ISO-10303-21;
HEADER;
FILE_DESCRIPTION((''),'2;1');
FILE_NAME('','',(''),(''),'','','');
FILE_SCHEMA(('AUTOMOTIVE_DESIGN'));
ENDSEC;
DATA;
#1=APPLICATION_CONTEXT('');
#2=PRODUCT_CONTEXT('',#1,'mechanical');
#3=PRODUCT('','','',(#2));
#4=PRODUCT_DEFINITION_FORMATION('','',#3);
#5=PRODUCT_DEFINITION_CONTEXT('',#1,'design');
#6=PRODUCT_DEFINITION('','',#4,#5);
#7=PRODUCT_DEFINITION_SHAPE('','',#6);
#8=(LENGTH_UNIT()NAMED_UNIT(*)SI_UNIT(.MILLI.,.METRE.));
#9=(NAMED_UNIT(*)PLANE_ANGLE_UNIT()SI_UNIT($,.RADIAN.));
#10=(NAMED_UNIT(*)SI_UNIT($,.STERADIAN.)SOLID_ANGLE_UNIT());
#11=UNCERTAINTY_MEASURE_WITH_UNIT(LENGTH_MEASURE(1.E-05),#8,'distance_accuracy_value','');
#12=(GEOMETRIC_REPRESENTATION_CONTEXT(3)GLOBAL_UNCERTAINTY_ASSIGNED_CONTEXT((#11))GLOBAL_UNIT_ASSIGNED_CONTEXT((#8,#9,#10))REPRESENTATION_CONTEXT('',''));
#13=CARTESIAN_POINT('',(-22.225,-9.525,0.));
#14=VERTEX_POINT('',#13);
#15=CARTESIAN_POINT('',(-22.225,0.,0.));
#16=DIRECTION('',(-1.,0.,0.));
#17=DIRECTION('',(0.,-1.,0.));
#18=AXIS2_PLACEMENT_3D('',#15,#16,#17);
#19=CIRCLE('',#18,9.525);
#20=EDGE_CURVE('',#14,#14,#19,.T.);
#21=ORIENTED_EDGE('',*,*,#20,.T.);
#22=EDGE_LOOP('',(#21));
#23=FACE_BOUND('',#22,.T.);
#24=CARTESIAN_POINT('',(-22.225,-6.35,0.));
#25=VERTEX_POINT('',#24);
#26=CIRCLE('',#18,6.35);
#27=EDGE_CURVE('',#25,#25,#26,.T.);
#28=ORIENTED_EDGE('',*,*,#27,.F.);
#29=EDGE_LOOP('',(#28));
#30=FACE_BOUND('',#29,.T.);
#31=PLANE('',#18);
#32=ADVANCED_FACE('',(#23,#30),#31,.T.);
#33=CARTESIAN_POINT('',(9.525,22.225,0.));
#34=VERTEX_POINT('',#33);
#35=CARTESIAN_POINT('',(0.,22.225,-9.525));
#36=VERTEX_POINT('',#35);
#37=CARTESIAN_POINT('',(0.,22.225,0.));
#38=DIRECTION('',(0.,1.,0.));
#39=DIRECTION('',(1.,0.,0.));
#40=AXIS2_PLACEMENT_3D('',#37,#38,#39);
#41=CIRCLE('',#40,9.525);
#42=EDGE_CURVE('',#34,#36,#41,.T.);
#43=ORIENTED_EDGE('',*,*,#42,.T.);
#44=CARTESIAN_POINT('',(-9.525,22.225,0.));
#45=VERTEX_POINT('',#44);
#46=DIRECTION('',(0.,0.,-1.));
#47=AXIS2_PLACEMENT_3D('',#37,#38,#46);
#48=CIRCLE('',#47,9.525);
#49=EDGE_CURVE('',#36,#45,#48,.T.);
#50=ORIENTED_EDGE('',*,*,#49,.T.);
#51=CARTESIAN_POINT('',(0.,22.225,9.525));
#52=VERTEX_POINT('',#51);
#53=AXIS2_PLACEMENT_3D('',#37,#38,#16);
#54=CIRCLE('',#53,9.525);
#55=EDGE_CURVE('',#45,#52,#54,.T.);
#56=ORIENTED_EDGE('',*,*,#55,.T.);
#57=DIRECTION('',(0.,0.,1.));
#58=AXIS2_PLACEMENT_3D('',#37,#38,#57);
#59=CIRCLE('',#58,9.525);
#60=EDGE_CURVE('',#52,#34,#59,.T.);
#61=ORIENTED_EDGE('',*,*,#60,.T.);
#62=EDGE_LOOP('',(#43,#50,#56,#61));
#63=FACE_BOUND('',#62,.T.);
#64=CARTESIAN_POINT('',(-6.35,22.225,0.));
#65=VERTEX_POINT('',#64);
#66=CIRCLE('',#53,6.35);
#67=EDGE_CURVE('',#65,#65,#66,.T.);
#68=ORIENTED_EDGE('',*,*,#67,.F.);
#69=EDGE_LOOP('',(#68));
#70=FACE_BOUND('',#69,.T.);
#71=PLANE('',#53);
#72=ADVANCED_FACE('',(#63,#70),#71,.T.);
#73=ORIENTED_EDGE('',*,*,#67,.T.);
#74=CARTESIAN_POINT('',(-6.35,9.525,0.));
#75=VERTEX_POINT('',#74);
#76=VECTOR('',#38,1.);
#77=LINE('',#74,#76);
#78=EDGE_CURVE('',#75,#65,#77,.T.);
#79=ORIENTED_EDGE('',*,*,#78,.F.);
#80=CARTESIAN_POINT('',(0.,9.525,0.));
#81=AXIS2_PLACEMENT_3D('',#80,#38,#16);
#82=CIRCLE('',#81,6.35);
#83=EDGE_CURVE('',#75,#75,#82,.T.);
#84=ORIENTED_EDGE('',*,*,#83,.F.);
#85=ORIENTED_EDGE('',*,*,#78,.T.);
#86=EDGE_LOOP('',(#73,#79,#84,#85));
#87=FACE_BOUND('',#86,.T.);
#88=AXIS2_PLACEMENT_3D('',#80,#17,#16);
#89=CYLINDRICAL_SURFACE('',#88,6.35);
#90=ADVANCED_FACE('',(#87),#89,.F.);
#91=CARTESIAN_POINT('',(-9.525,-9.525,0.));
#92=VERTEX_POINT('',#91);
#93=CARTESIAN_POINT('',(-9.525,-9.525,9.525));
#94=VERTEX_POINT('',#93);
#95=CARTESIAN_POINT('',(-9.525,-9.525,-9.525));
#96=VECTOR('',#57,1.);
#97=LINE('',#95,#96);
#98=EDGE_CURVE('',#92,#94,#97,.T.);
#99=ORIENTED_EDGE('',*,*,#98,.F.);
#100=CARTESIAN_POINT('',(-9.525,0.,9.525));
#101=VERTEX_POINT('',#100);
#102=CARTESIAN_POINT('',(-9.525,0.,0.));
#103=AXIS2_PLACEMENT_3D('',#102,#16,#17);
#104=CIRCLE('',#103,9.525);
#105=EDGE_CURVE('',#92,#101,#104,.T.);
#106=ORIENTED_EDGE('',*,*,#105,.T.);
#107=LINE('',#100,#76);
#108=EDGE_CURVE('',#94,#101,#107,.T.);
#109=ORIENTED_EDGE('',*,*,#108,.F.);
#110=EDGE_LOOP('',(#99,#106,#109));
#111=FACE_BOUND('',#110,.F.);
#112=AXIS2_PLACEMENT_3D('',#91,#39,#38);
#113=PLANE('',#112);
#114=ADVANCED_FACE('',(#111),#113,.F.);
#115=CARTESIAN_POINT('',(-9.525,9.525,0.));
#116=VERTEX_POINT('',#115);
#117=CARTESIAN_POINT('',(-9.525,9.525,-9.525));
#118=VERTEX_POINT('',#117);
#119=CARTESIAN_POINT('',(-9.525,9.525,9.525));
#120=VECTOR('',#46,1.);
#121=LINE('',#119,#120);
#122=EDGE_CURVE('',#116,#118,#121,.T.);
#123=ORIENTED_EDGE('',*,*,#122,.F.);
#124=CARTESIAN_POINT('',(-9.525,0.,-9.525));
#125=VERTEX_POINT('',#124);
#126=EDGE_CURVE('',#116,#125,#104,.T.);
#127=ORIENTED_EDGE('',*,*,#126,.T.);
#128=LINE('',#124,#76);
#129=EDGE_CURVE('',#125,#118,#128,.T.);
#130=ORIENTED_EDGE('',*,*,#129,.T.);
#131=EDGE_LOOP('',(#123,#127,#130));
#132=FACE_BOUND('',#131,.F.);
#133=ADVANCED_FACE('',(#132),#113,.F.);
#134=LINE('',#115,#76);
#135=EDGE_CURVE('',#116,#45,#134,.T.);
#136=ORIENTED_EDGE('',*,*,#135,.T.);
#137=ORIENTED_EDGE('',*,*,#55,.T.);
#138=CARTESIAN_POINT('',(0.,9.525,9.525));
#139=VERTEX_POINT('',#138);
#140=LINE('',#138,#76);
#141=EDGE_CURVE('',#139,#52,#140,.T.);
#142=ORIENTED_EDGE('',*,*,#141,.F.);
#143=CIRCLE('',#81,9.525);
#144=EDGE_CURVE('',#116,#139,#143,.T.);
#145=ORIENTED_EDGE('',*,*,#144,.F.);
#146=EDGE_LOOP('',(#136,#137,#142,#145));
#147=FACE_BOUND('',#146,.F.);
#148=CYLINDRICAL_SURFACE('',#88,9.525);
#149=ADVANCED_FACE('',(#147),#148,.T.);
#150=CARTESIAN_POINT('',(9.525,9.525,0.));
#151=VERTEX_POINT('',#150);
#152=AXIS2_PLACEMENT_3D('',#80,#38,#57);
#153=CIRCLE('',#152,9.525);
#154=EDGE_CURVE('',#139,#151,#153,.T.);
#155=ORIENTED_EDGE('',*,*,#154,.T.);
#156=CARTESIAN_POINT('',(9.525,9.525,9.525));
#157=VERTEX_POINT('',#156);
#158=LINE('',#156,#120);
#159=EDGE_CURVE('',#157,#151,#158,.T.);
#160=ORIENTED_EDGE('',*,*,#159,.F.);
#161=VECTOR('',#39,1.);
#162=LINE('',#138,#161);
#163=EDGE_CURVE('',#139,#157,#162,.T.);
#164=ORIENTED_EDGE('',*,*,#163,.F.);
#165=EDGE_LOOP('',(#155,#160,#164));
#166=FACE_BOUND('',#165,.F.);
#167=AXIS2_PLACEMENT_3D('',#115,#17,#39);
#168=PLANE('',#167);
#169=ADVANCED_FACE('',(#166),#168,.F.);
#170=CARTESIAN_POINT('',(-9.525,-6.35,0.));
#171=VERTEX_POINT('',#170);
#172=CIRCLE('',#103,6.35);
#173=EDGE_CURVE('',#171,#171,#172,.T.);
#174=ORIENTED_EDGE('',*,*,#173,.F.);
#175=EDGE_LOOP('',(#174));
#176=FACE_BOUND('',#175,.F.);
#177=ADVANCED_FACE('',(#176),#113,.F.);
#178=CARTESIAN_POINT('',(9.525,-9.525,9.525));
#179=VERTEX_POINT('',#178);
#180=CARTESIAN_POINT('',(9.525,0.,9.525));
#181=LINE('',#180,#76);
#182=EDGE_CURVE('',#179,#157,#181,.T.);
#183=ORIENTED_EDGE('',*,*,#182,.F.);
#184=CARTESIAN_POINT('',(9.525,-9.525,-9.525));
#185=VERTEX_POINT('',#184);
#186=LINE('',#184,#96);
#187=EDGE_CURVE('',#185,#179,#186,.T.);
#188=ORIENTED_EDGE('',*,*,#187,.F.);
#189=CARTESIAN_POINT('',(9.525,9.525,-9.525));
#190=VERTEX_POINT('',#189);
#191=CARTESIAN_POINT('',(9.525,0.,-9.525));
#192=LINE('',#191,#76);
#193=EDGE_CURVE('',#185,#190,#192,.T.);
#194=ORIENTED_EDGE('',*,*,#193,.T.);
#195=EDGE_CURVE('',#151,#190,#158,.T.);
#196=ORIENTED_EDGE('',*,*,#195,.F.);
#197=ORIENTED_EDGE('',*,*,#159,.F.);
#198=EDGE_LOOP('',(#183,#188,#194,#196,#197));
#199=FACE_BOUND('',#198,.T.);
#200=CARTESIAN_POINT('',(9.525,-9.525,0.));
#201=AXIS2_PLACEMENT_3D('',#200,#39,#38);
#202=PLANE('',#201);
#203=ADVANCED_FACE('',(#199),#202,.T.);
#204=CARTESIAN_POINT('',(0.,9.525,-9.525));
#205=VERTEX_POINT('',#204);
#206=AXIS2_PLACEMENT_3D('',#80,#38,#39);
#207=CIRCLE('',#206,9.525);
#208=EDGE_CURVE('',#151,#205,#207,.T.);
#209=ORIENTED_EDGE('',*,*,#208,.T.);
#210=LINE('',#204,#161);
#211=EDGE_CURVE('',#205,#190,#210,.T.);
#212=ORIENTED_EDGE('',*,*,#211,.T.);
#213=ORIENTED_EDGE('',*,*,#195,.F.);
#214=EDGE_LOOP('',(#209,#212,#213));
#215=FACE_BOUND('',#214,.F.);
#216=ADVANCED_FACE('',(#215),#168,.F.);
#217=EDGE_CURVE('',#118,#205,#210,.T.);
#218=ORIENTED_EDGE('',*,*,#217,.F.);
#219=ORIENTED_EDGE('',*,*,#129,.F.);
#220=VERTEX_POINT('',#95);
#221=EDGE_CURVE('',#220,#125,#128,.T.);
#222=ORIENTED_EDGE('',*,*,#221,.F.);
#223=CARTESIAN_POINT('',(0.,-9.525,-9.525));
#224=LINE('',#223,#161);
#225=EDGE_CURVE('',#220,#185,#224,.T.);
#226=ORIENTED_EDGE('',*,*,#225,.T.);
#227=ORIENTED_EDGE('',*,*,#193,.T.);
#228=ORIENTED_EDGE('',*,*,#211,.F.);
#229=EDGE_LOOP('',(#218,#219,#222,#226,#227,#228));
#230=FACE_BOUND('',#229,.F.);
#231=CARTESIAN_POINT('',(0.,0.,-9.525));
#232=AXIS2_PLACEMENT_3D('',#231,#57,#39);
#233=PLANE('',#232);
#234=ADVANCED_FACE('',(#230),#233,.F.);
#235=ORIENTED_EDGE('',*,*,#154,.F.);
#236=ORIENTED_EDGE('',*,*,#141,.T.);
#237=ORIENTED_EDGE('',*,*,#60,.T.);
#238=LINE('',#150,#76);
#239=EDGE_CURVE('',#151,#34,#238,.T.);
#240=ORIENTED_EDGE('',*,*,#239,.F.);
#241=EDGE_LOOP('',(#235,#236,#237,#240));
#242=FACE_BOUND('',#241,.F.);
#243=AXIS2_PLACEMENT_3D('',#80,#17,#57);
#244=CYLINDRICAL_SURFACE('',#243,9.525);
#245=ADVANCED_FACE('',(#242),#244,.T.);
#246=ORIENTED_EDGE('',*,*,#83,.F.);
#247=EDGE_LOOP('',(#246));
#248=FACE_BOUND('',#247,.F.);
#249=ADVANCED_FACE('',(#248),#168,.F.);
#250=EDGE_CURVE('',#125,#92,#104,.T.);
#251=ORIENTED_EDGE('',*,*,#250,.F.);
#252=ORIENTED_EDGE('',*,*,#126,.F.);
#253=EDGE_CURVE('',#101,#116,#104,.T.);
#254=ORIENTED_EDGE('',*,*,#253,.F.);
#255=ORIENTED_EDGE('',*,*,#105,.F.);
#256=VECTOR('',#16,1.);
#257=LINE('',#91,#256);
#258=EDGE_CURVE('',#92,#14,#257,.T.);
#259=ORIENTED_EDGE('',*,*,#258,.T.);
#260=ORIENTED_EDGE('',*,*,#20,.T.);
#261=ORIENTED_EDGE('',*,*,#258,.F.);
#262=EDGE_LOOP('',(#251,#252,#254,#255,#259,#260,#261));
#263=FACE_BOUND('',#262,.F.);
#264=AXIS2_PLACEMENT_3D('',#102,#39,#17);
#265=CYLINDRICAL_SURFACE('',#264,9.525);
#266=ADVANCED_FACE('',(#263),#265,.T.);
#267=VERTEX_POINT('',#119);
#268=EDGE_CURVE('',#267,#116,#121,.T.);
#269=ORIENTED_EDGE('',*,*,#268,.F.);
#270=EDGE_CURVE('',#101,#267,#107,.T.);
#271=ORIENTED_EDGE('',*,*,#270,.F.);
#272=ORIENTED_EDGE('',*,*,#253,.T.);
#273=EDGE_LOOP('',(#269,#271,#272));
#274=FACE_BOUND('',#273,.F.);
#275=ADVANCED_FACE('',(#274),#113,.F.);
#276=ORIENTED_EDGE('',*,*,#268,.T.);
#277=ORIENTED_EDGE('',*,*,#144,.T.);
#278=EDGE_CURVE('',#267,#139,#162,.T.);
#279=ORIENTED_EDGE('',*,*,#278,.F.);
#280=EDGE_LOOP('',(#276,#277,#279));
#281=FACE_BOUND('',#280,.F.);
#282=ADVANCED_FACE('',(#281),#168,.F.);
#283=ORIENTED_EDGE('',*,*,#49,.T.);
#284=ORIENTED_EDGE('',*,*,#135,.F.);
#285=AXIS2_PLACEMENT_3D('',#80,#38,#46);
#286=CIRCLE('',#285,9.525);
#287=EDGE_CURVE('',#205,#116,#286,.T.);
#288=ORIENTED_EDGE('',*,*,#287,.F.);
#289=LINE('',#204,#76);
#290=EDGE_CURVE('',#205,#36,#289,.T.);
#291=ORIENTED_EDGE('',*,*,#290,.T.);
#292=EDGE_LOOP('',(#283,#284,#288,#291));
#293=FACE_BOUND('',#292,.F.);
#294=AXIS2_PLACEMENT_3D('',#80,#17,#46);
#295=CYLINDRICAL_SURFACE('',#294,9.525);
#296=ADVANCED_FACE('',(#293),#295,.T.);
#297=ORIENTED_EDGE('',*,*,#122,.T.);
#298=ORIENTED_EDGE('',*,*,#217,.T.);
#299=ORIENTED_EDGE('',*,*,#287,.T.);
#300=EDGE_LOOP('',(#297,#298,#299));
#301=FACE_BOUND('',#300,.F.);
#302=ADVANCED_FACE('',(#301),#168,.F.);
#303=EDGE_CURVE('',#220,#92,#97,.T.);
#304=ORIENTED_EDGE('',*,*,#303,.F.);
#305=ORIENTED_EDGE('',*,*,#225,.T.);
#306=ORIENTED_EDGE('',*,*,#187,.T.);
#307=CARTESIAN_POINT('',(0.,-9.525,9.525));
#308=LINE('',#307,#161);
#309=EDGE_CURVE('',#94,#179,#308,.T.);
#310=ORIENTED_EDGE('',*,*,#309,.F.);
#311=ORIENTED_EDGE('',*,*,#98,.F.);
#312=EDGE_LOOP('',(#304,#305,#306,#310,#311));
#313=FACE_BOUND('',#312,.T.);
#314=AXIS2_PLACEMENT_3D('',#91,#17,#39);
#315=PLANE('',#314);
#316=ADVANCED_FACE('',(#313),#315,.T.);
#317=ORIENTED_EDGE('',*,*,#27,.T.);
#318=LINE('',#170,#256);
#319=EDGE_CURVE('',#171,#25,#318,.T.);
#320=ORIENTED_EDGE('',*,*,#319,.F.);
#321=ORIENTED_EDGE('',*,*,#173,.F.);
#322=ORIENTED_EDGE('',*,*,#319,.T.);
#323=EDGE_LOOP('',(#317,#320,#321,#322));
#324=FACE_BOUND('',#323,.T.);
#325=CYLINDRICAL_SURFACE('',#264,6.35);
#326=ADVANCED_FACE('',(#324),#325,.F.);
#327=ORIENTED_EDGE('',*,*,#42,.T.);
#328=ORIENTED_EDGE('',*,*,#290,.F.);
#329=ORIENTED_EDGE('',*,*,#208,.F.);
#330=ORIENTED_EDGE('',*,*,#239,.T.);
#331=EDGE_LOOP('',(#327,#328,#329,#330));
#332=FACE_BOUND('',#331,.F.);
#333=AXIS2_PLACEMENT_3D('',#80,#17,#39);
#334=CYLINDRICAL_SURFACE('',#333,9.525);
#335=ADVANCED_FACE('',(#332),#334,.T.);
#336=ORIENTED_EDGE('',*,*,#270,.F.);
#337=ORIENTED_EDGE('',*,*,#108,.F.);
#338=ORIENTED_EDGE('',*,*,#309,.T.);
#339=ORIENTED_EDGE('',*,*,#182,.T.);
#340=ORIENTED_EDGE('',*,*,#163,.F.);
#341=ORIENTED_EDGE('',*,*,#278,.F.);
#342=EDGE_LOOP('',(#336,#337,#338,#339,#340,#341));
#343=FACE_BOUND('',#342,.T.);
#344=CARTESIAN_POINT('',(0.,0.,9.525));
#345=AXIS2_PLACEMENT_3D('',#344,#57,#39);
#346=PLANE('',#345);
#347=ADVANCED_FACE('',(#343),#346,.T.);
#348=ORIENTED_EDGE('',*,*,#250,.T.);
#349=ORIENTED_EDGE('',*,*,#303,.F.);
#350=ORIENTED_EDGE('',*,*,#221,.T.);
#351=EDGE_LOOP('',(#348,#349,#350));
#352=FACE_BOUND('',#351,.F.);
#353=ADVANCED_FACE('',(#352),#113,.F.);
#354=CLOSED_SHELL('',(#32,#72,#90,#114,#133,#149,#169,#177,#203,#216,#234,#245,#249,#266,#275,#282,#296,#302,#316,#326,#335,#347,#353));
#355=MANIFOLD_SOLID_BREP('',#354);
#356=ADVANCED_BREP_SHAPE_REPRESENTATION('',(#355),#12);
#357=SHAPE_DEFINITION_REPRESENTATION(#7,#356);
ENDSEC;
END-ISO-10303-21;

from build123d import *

# Parameters (mm, degrees)
F0_W     = 19.05
F0_H     = 19.05
F1_DEPTH = 9.525
F2_R     = 6.35
F3_DEPTH = 12.7
F4_R     = 9.525
F4_R_2   = 6.35
F5_DEPTH = 12.7


with BuildPart() as f1:
    # F0 (on Top) → F1 (new body, symmetric)
    with BuildSketch(Plane.XY):
        Rectangle(F0_W, F0_H)
    extrude(amount=F1_DEPTH, both=True)

    # F2 (on face) → F3 (join)
    with BuildSketch(Plane(origin=(0, 9.525, 0), x_dir=(-1, 0, 0), z_dir=(0, 1, 0))):
        with BuildLine():
            ThreePointArc((0, -9.525), (6.7351920908, -6.7351920908), (9.525, 0))
            ThreePointArc((9.525, 0), (6.7351920908, 6.7351920908), (0, 9.525))
            ThreePointArc((0, 9.525), (-6.7351920908, 6.7351920908), (-9.525, 0))
            ThreePointArc((-9.525, 0), (-6.7351920908, -6.7351920908), (0, -9.525))
        make_face()
        Circle(F2_R, mode=Mode.SUBTRACT)
    extrude(amount=F3_DEPTH)

    # F4 (on face) → F5 (join)
    with BuildSketch(Plane(origin=(-9.525, 0, 0), x_dir=(0, -1, 0), z_dir=(-1, 0, 0))):
        Circle(F4_R)
        Circle(F4_R_2, mode=Mode.SUBTRACT)
    extrude(amount=F5_DEPTH)


solid = f1.part
